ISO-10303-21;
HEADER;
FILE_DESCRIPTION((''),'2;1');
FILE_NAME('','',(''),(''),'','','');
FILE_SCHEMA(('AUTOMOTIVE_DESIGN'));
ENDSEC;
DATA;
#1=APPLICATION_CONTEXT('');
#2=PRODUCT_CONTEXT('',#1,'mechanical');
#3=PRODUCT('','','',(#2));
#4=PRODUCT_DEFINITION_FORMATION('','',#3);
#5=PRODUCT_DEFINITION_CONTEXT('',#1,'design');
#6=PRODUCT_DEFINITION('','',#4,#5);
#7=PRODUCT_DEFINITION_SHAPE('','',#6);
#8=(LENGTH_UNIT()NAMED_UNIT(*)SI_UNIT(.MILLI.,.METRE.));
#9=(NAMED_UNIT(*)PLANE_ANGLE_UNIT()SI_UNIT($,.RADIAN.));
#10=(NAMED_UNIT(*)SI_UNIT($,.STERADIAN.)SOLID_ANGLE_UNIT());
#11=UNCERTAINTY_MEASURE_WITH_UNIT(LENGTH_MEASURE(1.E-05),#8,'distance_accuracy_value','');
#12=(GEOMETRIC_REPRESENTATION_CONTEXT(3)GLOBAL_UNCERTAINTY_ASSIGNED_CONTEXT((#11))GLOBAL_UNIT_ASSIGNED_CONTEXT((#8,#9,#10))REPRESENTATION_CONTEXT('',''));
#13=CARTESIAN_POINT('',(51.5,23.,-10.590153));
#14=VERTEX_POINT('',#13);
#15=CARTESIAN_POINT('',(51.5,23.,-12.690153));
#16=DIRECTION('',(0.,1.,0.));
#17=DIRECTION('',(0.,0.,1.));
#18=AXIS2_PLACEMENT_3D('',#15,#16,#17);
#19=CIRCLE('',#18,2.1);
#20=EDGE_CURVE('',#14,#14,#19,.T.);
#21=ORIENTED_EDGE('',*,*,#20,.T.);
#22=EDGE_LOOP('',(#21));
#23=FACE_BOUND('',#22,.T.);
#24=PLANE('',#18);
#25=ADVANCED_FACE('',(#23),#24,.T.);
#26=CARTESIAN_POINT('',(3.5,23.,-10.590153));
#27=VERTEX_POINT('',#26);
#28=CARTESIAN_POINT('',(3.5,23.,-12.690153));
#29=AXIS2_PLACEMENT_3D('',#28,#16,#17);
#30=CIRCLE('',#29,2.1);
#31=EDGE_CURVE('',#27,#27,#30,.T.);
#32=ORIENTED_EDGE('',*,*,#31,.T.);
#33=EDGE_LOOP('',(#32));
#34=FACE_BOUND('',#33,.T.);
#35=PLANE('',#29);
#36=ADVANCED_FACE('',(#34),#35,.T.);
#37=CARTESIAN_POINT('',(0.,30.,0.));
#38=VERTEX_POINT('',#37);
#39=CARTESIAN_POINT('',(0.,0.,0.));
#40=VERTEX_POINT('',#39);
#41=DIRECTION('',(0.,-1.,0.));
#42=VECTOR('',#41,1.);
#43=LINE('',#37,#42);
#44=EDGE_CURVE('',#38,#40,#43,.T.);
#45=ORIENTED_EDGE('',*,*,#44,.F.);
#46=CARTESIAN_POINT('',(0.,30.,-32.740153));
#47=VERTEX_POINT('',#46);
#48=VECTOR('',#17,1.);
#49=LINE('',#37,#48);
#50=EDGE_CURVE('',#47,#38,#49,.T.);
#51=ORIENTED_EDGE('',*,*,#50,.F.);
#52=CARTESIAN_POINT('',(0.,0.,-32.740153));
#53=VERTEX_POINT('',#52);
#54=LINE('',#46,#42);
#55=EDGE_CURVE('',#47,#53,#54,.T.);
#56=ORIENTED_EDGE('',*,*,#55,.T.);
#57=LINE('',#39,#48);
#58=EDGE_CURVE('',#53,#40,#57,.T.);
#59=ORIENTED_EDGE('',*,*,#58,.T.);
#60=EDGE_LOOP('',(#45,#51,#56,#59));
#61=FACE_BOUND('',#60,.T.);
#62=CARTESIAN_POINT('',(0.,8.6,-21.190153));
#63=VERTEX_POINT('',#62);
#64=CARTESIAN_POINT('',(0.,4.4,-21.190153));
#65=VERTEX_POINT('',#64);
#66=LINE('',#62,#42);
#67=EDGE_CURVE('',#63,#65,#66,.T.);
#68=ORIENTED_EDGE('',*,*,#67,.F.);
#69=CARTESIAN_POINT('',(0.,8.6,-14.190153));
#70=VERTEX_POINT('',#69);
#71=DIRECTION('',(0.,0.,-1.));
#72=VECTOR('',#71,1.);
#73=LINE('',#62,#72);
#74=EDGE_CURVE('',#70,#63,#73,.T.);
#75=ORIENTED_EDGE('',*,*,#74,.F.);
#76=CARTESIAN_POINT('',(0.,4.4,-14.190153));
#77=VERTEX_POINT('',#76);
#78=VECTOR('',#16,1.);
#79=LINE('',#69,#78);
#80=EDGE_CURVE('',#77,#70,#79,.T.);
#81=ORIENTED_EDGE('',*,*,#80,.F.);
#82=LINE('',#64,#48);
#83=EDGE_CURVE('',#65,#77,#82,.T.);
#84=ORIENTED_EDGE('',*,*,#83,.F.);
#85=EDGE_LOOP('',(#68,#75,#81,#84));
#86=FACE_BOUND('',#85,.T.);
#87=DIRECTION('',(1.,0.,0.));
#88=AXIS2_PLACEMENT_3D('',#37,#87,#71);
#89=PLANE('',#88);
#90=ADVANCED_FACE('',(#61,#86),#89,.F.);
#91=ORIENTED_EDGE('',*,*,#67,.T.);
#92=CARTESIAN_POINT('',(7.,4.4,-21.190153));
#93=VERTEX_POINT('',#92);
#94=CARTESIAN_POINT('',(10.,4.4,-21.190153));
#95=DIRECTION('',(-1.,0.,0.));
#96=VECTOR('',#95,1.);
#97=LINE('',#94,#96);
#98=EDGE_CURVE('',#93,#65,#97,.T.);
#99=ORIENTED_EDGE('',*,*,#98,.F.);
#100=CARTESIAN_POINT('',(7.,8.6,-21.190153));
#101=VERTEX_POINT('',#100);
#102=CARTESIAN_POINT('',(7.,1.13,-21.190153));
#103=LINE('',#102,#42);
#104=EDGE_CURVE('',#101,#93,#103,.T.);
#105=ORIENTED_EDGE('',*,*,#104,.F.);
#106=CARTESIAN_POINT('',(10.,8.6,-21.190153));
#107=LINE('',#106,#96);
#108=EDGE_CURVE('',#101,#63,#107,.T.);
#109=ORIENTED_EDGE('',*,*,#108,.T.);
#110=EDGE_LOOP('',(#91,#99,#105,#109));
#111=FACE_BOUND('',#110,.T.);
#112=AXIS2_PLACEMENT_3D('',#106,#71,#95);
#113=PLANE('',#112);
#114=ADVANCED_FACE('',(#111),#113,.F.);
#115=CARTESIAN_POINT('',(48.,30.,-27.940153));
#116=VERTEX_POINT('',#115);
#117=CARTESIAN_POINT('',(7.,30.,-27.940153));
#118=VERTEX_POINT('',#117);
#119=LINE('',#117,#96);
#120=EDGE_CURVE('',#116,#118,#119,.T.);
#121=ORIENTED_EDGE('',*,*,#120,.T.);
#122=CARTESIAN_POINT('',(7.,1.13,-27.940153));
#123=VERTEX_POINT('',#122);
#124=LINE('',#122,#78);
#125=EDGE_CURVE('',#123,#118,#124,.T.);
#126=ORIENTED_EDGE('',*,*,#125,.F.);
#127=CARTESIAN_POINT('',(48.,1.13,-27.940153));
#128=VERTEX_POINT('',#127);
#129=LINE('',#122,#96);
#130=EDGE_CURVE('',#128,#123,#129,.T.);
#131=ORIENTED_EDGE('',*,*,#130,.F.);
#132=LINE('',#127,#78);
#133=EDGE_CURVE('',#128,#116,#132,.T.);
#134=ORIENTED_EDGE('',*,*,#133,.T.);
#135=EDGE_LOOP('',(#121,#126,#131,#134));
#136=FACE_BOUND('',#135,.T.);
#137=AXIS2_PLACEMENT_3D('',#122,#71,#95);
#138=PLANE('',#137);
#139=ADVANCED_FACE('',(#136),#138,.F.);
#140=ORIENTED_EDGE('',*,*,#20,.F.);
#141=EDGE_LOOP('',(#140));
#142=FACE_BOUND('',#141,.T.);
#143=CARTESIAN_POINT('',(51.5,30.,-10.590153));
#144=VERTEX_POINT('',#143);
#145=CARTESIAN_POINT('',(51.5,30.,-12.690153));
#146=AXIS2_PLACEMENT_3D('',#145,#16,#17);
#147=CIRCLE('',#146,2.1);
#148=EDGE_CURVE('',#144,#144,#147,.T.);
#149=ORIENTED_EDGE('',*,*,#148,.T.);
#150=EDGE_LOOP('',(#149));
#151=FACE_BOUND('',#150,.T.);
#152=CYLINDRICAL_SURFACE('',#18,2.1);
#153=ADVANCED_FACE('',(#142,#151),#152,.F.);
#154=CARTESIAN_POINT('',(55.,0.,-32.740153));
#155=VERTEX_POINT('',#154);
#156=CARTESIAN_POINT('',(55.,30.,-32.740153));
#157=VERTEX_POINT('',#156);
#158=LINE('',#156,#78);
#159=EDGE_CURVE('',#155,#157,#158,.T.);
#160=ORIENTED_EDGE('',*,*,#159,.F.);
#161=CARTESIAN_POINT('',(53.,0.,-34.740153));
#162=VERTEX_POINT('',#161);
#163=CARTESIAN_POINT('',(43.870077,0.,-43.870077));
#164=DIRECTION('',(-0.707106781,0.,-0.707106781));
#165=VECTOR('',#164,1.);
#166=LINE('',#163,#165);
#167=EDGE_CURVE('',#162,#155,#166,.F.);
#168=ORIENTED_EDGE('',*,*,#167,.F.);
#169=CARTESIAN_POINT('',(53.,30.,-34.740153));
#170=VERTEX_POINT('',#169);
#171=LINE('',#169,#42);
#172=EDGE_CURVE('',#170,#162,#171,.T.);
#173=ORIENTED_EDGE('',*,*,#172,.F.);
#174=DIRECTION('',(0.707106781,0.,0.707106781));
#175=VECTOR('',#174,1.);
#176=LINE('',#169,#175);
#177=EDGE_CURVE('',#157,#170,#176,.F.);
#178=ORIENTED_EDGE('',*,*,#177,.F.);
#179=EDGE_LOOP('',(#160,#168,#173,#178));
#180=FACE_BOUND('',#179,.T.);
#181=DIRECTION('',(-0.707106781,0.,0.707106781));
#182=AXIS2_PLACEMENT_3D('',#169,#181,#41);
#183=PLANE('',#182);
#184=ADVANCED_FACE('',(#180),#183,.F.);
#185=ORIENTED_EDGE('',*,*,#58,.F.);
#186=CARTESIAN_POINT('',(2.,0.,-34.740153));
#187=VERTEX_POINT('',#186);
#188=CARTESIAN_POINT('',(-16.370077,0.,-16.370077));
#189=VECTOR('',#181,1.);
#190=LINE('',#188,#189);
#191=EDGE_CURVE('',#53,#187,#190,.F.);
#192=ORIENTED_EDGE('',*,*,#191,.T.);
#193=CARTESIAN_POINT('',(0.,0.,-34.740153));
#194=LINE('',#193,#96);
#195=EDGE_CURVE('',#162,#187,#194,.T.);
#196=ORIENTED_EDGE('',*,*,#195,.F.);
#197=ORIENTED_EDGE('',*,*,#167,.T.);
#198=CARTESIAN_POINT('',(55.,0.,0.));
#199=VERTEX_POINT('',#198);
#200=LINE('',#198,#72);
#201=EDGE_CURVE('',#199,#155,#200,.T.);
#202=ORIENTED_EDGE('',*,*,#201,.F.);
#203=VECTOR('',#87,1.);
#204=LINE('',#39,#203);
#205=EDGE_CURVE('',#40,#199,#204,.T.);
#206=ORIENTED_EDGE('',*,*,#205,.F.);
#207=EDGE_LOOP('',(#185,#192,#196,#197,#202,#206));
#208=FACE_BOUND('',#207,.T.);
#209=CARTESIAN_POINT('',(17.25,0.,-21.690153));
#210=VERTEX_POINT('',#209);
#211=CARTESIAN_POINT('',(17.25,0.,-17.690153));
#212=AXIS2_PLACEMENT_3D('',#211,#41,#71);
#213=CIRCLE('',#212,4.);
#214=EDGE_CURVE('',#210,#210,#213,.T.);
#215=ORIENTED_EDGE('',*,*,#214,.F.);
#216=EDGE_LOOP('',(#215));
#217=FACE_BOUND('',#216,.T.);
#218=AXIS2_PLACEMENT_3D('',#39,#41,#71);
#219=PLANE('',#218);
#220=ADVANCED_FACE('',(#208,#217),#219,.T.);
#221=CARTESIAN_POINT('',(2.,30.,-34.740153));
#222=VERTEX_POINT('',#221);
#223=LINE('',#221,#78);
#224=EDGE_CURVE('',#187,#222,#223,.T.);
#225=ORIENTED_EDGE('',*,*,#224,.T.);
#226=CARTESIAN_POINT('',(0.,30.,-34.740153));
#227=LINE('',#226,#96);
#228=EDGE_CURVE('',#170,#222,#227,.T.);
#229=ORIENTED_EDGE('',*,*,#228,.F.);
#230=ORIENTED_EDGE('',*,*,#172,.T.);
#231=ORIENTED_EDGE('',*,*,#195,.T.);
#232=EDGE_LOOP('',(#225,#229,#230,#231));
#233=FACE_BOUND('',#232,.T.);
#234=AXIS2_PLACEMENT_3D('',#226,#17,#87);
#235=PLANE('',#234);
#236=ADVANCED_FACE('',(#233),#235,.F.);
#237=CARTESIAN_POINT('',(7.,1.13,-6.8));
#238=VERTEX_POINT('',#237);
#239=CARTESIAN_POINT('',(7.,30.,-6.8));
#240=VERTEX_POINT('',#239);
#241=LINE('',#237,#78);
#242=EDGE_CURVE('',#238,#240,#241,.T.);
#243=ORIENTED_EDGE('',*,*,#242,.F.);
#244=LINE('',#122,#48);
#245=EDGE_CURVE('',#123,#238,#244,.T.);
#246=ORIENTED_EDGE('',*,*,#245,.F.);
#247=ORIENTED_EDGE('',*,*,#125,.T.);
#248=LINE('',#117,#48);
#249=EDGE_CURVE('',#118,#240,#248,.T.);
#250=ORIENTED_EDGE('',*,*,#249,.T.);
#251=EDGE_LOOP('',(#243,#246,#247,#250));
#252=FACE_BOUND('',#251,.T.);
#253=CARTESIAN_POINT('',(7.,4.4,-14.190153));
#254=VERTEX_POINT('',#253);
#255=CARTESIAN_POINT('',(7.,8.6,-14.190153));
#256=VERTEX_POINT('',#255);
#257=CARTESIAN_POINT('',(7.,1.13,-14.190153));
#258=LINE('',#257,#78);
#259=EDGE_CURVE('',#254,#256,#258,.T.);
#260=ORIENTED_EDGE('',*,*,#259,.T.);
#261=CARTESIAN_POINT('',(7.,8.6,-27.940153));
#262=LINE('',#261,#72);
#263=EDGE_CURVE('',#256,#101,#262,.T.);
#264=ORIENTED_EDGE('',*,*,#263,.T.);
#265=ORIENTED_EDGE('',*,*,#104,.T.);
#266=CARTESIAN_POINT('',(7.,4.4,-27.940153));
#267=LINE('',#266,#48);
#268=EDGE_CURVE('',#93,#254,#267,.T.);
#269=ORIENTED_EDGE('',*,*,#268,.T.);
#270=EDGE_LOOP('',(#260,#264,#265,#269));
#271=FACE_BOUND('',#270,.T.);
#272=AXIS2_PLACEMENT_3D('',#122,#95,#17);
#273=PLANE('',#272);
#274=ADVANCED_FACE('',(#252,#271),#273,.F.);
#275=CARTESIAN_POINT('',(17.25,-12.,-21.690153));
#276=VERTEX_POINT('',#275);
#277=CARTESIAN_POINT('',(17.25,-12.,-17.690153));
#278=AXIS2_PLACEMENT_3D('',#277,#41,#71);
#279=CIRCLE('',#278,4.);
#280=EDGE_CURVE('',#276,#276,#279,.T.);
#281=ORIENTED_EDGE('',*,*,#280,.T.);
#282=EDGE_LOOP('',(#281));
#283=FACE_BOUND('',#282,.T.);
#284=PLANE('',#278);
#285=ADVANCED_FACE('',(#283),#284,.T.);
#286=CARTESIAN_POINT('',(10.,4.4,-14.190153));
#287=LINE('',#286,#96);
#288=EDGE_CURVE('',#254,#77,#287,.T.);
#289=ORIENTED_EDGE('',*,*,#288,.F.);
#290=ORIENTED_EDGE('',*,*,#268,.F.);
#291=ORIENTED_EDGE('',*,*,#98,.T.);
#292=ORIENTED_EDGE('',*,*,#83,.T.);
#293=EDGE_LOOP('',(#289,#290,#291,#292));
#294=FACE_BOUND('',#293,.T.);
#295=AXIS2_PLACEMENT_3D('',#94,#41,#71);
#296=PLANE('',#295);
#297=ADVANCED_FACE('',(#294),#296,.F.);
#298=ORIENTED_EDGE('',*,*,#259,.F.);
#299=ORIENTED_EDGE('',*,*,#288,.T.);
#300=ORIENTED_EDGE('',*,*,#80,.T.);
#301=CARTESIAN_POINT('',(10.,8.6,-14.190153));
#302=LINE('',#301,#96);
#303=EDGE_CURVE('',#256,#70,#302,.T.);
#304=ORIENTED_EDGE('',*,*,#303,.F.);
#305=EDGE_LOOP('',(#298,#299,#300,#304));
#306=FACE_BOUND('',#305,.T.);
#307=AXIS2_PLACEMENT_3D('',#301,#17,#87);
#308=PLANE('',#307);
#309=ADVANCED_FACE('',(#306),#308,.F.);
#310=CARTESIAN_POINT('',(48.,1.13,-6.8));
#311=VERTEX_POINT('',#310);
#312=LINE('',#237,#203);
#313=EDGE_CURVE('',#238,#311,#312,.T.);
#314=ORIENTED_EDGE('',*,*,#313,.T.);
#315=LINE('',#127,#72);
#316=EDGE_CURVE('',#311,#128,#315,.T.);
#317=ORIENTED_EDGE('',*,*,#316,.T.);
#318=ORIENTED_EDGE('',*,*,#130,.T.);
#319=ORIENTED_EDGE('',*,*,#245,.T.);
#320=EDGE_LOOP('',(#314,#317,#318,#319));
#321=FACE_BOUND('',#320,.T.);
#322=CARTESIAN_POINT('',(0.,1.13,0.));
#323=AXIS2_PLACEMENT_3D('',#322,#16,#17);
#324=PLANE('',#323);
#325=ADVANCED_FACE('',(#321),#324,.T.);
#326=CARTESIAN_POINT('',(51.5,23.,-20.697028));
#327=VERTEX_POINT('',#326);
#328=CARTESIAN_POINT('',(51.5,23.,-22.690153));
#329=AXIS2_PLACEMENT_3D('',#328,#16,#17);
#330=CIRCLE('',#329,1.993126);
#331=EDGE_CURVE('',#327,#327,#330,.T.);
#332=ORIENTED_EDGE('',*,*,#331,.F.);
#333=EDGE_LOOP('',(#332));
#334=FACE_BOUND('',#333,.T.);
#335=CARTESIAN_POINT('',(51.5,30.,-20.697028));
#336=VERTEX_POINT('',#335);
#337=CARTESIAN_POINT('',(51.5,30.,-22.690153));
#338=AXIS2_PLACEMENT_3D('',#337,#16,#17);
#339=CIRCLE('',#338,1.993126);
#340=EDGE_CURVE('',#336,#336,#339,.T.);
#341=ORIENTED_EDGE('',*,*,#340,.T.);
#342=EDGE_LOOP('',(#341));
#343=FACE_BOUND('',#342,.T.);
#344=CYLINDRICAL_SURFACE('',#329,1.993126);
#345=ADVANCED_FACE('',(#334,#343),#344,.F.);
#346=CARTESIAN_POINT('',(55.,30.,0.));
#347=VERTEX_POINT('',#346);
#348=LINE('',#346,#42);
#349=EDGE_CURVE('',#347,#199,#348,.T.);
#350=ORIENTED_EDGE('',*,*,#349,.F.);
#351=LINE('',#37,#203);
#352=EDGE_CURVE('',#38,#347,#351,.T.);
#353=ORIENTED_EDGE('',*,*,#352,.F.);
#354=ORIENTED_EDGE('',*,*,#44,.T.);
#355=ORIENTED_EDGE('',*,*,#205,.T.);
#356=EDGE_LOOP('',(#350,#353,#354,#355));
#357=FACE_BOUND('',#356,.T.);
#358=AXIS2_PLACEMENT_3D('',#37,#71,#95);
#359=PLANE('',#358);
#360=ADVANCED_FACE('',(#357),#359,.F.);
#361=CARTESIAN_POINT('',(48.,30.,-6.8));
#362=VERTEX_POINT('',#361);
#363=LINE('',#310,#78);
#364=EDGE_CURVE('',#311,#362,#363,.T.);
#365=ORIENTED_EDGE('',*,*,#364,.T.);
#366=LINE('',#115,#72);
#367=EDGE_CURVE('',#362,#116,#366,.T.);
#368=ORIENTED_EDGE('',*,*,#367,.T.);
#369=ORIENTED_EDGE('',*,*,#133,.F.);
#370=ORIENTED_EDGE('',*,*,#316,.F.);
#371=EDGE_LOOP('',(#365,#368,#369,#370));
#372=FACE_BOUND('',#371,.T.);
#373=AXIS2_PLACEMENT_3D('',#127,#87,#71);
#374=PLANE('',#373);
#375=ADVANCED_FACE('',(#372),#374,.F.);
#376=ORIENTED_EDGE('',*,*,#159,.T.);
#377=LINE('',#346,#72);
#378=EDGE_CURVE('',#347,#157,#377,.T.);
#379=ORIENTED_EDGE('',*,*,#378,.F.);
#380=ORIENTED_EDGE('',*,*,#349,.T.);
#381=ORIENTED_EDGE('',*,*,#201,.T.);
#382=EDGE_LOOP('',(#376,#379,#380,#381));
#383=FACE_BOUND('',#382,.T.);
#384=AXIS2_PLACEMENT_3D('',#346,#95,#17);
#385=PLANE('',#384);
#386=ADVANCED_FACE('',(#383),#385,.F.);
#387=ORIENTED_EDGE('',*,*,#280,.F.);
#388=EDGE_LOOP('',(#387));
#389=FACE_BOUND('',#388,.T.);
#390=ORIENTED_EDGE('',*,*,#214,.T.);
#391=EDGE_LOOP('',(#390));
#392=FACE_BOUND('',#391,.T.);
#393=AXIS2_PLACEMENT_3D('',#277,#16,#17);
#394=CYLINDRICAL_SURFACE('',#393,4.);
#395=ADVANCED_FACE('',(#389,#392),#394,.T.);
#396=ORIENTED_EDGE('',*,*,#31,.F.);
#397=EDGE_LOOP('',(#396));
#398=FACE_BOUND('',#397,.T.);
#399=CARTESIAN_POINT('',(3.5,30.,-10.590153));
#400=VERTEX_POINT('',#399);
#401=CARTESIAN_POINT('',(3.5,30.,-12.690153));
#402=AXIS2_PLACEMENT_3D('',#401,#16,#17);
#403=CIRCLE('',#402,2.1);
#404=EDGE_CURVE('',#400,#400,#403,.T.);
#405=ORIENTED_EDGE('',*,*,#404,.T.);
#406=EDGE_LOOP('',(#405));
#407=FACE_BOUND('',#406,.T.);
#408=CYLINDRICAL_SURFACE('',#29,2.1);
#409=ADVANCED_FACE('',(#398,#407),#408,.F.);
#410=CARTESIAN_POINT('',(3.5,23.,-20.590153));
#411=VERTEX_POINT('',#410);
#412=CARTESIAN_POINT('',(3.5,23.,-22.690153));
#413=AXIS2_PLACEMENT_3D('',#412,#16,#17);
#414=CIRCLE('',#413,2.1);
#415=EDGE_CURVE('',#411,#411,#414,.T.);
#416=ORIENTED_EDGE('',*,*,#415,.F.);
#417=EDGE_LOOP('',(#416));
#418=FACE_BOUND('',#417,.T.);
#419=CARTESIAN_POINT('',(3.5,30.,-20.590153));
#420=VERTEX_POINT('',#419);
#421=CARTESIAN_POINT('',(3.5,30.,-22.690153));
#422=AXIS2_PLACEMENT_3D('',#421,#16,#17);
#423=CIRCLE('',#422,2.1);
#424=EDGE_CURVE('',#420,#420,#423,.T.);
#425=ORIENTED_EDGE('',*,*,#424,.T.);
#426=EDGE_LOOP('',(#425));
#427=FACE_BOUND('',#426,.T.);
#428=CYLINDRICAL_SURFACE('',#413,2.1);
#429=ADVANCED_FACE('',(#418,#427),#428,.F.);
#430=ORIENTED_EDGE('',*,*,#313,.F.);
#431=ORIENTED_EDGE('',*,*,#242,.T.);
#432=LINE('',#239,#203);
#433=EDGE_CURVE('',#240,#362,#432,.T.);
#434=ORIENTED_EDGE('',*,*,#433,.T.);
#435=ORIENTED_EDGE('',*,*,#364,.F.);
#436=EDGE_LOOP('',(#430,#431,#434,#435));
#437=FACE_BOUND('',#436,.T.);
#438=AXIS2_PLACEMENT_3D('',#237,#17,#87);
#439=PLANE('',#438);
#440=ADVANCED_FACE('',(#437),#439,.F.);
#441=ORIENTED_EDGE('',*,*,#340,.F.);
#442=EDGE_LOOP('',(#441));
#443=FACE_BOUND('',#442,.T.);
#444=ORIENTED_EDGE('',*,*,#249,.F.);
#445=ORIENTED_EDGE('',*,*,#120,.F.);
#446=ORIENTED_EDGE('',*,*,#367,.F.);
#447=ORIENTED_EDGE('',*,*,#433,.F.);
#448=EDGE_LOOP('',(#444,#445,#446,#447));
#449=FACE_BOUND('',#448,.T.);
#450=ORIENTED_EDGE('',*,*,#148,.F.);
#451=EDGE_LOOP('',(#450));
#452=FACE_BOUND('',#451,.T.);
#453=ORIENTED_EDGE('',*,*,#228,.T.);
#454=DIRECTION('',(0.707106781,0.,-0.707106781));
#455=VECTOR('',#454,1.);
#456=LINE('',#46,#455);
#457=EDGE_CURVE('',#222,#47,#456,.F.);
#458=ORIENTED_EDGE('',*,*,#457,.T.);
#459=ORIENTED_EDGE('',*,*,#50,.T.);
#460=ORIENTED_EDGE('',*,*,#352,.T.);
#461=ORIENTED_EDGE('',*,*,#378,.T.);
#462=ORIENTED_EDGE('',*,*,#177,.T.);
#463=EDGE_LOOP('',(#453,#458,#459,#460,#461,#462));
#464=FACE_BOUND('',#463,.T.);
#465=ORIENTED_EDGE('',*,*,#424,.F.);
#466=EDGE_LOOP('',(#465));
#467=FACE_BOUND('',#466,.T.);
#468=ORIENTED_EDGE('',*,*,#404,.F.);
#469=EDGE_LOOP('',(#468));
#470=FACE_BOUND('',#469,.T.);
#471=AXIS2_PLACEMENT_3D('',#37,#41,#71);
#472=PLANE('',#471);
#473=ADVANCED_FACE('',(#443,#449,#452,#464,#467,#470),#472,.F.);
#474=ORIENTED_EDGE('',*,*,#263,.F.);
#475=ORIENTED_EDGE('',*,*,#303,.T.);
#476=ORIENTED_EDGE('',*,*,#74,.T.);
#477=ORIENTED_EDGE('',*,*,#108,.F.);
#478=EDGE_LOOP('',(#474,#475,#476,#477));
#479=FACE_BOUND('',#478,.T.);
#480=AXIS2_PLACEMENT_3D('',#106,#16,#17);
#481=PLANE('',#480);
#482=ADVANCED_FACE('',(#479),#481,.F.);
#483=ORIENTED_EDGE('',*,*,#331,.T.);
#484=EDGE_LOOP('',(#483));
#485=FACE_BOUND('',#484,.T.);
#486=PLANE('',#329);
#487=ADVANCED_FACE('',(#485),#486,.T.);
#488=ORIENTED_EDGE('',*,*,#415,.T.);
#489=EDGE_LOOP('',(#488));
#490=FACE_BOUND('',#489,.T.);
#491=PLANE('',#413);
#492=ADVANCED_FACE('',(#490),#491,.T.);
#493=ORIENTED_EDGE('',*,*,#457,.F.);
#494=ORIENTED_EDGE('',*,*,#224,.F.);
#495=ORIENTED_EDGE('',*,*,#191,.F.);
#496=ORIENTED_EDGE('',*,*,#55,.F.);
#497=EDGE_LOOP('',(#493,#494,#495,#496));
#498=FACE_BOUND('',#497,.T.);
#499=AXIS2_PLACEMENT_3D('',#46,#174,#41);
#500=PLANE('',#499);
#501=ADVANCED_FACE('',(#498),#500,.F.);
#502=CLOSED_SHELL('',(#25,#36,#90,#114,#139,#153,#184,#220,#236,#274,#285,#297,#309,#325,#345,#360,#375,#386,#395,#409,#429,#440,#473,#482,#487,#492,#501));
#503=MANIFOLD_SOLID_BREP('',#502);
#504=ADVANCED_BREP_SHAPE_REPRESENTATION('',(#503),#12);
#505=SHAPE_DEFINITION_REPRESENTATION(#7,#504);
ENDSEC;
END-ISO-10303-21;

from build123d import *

# Parameters (mm, degrees)
SKETCH1_W           = 55
SKETCH1_H           = 34.740153272
BOSS_EXTRUDE1_DEPTH = 30
SKETCH3_W           = 41
SKETCH3_H           = 21.140153272
CUT_EXTRUDE1_DEPTH  = 28.87
SKETCH5_W           = 7
SKETCH5_H           = 4.2
CUT_EXTRUDE2_DEPTH  = 10
SKETCH6_R           = 2.1
SKETCH6_R_2         = 1.99312569
CUT_EXTRUDE3_DEPTH  = 7
SKETCH7_R           = 4
BOSS_EXTRUDE2_DEPTH = 12
CHAMFER1_SIZE       = 2


with BuildPart() as part:
    # Sketch1 → Boss-Extrude1 (new body)
    with BuildSketch(Plane(origin=(0, 0, 0), x_dir=(1, 0, 0), z_dir=(0, 1, 0))):
        with Locations((27.5, 17.370076636)):
            Rectangle(SKETCH1_W, SKETCH1_H)
    extrude(amount=BOSS_EXTRUDE1_DEPTH)

    # Sketch3 → Cut-Extrude1 (cut)
    with BuildSketch(Plane(origin=(0, 30, 0), x_dir=(1, 0, 0), z_dir=(0, 1, 0))):
        with Locations((27.5, 17.370076636)):
            Rectangle(SKETCH3_W, SKETCH3_H)
    extrude(amount=-CUT_EXTRUDE1_DEPTH, mode=Mode.SUBTRACT)

    # Sketch5 → Cut-Extrude2 (cut)
    with BuildSketch(Plane.ZY):
        with Locations((-17.690153272, 6.5)):
            Rectangle(SKETCH5_W, SKETCH5_H)
    extrude(amount=-CUT_EXTRUDE2_DEPTH, mode=Mode.SUBTRACT)

    # Sketch6 → Cut-Extrude3 (cut)
    with BuildSketch(Plane(origin=(0, 30, 0), x_dir=(1, 0, 0), z_dir=(0, 1, 0))):
        with Locations((3.5, 22.690153272)):
            Circle(SKETCH6_R)
        with Locations((3.5, 12.690153272)):
            Circle(SKETCH6_R)
        with Locations((51.5, 12.690153272)):
            Circle(SKETCH6_R)
        with Locations((51.5, 22.690153272)):
            Circle(SKETCH6_R_2)
    extrude(amount=-CUT_EXTRUDE3_DEPTH, mode=Mode.SUBTRACT)

    # Sketch7 → Boss-Extrude2 (add)
    with BuildSketch(Plane.XZ):
        with Locations((17.25, -17.690153272)):
            Circle(SKETCH7_R)
    extrude(amount=BOSS_EXTRUDE2_DEPTH)

    # Chamfer1
    chamfer1_edges = [part.edges().sort_by_distance(p)[0] for p in [
        (0, 15, -34.740153272),
        (55, 15, -34.740153272),
    ]]
    chamfer(chamfer1_edges, length=CHAMFER1_SIZE)


solid = part.part
